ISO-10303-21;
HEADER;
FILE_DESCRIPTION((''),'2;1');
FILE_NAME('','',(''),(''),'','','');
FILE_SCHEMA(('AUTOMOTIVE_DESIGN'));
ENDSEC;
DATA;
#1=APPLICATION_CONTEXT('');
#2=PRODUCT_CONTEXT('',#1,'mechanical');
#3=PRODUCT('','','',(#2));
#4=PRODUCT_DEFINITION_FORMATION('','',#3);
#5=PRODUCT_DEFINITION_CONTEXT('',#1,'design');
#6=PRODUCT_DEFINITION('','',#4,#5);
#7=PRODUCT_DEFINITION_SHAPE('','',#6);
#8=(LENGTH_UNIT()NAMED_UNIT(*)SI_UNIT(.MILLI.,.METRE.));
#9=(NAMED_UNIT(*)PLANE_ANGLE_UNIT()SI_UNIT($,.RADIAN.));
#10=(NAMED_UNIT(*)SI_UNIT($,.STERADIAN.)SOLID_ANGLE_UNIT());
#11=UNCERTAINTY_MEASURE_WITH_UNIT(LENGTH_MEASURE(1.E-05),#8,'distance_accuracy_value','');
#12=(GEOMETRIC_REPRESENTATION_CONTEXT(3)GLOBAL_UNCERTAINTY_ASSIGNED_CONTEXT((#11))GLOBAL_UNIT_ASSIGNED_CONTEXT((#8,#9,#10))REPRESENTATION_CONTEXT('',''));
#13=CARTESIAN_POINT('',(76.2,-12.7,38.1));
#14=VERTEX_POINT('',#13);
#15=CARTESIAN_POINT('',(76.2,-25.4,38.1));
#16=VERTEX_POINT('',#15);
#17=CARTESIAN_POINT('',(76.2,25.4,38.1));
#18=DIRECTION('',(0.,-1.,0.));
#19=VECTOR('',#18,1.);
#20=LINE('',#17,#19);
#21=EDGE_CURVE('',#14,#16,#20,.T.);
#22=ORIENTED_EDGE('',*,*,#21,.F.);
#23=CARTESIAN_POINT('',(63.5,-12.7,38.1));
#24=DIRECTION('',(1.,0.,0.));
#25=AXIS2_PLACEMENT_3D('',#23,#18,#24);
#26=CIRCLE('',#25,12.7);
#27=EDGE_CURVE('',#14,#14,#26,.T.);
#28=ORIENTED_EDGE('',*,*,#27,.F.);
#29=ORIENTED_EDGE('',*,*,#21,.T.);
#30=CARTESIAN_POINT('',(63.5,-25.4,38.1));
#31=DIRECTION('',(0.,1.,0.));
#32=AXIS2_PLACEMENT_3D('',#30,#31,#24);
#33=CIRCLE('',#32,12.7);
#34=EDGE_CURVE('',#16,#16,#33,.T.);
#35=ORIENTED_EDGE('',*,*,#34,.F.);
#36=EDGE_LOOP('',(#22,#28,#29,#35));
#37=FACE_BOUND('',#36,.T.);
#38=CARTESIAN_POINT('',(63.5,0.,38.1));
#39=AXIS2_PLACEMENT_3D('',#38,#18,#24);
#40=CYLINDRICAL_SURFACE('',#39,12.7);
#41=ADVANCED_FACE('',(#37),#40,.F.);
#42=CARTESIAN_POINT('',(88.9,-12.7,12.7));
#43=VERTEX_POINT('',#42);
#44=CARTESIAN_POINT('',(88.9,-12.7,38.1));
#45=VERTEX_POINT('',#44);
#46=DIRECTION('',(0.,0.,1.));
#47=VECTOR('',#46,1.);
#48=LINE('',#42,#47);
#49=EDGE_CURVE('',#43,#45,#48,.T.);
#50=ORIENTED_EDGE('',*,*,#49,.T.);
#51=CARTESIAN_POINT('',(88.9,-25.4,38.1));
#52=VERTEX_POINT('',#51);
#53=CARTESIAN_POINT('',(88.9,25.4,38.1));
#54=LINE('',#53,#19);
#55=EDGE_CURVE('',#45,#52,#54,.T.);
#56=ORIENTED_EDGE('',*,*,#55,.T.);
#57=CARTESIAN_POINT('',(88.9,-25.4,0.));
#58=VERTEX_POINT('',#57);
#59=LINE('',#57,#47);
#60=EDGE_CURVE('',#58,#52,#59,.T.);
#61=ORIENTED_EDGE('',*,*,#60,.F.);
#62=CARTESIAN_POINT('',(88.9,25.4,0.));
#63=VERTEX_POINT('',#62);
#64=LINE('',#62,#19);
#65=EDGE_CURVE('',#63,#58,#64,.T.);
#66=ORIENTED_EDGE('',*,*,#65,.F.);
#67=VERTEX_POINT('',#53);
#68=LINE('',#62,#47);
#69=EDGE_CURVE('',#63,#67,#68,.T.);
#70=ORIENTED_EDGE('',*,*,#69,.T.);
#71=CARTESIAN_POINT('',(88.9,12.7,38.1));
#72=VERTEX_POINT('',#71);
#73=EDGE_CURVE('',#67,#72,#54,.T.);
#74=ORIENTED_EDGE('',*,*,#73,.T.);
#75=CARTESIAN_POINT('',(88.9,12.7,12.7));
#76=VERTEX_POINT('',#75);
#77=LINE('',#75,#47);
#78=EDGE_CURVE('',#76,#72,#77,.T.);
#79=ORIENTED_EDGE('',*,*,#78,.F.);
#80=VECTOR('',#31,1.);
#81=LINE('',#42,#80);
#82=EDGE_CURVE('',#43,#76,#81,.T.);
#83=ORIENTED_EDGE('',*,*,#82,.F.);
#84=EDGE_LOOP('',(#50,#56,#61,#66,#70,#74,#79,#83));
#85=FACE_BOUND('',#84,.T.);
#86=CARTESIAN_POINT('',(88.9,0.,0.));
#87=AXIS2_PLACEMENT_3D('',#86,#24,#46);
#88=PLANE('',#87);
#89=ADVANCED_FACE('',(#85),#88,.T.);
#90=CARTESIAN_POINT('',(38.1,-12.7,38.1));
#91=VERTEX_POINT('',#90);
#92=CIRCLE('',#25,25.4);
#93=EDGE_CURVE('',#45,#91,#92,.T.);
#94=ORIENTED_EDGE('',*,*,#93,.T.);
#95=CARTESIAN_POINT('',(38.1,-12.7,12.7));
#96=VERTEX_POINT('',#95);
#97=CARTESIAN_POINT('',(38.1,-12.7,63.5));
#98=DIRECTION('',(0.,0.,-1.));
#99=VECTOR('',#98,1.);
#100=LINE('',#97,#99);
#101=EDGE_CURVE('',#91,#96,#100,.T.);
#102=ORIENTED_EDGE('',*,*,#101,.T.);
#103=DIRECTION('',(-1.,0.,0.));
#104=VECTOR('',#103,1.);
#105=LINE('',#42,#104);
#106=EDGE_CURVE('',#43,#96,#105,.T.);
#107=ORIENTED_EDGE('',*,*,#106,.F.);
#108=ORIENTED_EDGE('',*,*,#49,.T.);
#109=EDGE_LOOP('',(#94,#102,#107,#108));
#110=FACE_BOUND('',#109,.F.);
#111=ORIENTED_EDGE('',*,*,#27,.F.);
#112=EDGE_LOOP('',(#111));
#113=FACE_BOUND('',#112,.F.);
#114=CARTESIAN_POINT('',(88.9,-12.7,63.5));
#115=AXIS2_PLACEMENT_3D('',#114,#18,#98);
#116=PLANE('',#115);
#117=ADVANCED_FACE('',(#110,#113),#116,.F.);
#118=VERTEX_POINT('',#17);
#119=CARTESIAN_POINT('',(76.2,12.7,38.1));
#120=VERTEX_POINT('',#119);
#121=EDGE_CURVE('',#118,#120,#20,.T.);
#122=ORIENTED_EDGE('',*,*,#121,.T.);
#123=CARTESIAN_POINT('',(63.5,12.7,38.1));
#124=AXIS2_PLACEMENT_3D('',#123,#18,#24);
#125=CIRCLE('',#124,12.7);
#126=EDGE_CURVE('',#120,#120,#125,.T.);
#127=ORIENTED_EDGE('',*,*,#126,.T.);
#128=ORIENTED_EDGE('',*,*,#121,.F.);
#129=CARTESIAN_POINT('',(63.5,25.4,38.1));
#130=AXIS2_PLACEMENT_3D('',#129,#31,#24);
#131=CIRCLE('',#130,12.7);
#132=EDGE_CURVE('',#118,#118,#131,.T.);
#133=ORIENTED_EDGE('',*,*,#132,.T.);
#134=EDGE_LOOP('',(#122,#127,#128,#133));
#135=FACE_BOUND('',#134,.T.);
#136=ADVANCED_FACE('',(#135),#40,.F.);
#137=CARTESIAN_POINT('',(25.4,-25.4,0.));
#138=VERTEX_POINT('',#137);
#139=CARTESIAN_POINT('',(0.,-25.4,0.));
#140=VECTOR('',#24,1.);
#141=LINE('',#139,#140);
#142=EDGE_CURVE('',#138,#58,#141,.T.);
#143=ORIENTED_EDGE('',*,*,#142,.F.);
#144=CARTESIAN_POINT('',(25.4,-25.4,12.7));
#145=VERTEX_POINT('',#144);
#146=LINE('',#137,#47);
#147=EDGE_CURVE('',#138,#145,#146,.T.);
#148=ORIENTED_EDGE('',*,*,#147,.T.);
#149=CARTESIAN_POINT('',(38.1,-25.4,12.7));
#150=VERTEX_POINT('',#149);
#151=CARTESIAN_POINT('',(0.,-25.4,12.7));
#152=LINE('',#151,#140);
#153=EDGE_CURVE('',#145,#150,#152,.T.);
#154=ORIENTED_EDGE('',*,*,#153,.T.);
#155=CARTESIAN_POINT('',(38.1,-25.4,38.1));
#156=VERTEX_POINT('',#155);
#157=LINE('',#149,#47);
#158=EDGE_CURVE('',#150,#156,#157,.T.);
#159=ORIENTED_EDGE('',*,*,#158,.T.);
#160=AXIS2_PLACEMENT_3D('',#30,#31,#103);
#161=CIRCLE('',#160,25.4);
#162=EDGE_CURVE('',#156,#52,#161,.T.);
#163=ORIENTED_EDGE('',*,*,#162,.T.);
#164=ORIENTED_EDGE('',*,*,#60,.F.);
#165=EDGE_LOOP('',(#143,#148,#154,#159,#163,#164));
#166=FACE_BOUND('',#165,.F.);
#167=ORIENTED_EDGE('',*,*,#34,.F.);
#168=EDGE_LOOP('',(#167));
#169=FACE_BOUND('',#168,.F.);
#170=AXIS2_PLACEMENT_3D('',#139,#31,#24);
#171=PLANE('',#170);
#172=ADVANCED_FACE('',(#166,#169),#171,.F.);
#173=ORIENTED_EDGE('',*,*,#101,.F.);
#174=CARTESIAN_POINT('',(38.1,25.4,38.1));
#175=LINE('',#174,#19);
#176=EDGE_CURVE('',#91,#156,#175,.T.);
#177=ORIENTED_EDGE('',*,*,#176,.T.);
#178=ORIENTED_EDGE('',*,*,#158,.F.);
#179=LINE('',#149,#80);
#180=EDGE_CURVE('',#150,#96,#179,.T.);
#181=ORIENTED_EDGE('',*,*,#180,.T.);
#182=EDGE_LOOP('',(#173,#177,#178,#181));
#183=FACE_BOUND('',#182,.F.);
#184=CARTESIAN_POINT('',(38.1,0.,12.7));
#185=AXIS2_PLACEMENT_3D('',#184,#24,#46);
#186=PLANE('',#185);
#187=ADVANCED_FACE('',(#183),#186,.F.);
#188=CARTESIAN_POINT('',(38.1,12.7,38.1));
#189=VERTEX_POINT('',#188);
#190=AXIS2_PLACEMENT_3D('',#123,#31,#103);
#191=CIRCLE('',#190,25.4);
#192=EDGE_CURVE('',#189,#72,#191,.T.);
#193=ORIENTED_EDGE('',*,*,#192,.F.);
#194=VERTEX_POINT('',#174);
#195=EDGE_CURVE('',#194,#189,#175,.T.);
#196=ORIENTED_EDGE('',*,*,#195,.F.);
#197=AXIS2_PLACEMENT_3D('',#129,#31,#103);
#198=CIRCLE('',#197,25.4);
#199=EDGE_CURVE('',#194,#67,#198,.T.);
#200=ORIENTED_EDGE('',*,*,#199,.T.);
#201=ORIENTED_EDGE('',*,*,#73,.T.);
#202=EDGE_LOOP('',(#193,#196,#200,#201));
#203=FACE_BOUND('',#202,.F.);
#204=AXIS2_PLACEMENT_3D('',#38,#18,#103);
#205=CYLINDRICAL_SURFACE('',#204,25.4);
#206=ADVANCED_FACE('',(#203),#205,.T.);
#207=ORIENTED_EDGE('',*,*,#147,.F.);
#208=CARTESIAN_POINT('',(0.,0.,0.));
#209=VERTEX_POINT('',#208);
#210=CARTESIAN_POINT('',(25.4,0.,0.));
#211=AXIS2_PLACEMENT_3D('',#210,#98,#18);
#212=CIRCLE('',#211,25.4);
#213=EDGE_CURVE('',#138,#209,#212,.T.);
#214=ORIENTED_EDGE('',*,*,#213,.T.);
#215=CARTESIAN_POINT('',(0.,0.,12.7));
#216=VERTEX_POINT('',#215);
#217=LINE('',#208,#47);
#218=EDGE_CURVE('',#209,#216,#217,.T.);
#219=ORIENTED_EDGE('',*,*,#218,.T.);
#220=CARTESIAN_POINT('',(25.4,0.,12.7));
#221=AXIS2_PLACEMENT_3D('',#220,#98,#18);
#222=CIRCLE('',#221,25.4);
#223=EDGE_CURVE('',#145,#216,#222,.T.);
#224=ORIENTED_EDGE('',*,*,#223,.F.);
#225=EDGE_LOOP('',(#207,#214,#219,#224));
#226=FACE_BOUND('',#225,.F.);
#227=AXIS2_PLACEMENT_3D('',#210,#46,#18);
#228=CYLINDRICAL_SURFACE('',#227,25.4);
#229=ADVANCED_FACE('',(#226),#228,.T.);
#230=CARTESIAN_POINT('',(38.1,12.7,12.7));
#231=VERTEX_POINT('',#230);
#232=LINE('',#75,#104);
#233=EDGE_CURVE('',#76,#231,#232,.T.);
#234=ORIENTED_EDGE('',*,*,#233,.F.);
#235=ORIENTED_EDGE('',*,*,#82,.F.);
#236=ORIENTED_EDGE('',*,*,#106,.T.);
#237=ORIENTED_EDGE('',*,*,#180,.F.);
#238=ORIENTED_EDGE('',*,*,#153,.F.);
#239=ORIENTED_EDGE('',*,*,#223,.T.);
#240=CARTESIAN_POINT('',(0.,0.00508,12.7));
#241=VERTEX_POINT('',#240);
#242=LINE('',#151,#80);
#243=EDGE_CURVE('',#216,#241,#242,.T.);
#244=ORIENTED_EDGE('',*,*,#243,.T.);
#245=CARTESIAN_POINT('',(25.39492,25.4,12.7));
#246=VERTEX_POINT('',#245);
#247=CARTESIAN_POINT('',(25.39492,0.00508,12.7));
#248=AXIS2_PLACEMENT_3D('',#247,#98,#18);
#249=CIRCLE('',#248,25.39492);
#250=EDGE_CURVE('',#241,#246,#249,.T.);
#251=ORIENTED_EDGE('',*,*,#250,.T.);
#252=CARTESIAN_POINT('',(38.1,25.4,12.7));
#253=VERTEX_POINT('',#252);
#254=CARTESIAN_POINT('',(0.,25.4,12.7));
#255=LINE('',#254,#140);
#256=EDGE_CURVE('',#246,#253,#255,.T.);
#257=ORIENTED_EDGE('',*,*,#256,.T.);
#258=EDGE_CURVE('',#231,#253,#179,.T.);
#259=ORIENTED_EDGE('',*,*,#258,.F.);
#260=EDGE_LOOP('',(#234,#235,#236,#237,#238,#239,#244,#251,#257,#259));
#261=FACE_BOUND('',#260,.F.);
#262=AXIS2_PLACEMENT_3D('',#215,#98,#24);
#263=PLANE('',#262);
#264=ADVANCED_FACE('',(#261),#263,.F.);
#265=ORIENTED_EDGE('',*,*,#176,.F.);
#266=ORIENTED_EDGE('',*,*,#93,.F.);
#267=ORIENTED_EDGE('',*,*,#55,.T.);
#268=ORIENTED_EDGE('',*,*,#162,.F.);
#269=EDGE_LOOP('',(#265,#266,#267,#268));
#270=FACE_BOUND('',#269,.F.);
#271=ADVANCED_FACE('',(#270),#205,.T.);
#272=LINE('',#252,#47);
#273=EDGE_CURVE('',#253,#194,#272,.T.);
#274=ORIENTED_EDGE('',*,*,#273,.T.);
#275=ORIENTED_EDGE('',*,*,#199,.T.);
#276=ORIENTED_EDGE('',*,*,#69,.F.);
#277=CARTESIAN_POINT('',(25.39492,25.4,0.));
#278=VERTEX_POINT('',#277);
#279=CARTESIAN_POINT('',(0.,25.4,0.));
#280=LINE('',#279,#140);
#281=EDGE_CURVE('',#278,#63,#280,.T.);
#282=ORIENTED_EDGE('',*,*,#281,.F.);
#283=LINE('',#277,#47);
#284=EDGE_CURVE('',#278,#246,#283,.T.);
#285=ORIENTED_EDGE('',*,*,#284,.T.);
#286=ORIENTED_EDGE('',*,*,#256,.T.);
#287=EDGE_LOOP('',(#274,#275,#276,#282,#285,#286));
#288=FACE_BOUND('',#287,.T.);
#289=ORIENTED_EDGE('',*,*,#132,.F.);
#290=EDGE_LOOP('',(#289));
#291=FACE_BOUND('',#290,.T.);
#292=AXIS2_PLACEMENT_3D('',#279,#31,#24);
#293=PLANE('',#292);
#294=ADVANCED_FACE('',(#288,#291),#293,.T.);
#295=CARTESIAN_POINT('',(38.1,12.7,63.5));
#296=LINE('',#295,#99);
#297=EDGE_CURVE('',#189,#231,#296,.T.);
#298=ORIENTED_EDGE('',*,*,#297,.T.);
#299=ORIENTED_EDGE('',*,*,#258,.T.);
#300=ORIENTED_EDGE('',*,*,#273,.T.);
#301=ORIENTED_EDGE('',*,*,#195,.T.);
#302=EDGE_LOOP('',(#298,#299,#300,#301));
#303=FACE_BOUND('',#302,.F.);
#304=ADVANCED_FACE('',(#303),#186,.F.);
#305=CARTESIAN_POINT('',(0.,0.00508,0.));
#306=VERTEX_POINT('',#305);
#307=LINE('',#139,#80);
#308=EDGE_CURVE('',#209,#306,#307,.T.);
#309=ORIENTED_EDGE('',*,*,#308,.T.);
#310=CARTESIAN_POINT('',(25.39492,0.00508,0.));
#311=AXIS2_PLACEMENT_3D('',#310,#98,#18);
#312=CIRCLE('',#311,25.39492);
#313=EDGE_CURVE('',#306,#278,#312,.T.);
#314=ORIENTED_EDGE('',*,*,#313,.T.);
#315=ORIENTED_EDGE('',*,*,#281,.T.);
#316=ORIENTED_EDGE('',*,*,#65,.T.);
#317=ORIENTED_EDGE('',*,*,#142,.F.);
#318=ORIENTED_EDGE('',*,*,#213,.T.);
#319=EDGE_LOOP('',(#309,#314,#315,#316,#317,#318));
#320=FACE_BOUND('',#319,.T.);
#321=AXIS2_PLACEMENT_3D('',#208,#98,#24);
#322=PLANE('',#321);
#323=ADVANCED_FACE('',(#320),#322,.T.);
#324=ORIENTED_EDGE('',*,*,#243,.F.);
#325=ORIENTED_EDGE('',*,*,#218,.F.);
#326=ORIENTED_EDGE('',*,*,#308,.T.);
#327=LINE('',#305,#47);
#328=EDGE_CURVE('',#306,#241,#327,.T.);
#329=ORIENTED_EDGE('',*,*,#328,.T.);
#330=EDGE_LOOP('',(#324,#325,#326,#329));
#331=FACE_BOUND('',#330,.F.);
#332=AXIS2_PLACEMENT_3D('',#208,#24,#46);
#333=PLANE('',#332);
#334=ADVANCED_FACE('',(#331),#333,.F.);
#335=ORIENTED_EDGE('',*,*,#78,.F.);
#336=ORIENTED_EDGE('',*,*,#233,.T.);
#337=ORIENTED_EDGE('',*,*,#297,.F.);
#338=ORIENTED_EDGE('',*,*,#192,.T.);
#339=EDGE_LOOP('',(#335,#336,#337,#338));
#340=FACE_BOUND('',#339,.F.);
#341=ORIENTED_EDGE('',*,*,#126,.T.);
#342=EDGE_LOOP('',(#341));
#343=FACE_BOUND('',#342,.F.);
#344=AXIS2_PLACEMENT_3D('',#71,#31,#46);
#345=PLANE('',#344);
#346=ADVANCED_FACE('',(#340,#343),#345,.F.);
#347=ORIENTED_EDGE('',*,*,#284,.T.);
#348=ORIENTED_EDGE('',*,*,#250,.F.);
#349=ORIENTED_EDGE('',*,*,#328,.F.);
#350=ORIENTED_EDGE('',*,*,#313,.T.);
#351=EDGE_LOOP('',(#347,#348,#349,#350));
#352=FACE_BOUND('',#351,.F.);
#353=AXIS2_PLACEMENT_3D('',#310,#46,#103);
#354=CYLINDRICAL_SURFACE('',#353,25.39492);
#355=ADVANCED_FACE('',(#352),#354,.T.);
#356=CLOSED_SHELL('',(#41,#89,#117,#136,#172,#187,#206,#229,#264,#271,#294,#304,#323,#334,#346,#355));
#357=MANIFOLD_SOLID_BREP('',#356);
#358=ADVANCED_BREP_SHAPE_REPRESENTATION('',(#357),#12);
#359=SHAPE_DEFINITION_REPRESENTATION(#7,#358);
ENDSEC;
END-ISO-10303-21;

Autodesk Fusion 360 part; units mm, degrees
sketch "Sketch1" plane through (0, 0, 0) normal (0, 1, 0) x (1, 0, 0)
  line L0 (0, 0) -> (0, -12.7)
  line L1 (0, -12.7) -> (38.1, -12.7)
  line L2 (38.1, -12.7) -> (38.1, -38.1)
  line L3 (0, 0) -> (88.9, 0)
  line L4 (88.9, 0) -> (88.9, -38.1)
  arc A0 (38.1, -38.1) -> (88.9, -38.1) centre (63.5, -38.1) ccw
  circle A1 centre (63.5, -38.1) radius 12.7
extrude "Extrude1" add sketch "Sketch1" along normal mid plane 50.8
sketch "Sketch2" plane through (88.9, 0, 0) normal (1, 0, 0) x (0, 1, 0)
  line L0 (-25.4, 0) -> (25.4, 0)
  line L1 (25.4, 0) -> (25.4, 38.1)
  line L2 (25.4, 38.1) -> (-25.4, 38.1)
  line L3 (-25.4, 38.1) -> (-25.4, 0)
  line L4 (-12.7, 67.4271) -> (-12.7, 12.7)
  line L5 (-12.7, 12.7) -> (12.7, 12.7)
  line L6 (12.7, 12.7) -> (12.7, 67.4271)
  line L7 (-12.7, 63.5) -> (12.7, 63.5)
  dimension "d3" = 12.7
  dimension "d4" = 12.7
  dimension "d5" = 12.7
extrude "Extrude2" cut sketch "Sketch2" against normal blind 50.8 contours L2 L4 L6 L7 | L2 L4 L5 L6
sketch "Sketch3" plane through (0, 0, 0) normal (-1, 0, 0) x (0, -1, 0)
  line L0 (25.4, 12.7) -> (-25.4, 12.7)
  line L1 (-25.4, 12.7) -> (-25.4, 0)
  line L2 (-25.4, 0) -> (25.4, 0)
  line L3 (25.4, 0) -> (25.4, 12.7)
fillet "Fillet1" radius 25.4 1 edges at (0, -25.4, 6.35)
fillet "Fillet2" radius 25.4 1 edges at (0, 25.4, 6.35)
